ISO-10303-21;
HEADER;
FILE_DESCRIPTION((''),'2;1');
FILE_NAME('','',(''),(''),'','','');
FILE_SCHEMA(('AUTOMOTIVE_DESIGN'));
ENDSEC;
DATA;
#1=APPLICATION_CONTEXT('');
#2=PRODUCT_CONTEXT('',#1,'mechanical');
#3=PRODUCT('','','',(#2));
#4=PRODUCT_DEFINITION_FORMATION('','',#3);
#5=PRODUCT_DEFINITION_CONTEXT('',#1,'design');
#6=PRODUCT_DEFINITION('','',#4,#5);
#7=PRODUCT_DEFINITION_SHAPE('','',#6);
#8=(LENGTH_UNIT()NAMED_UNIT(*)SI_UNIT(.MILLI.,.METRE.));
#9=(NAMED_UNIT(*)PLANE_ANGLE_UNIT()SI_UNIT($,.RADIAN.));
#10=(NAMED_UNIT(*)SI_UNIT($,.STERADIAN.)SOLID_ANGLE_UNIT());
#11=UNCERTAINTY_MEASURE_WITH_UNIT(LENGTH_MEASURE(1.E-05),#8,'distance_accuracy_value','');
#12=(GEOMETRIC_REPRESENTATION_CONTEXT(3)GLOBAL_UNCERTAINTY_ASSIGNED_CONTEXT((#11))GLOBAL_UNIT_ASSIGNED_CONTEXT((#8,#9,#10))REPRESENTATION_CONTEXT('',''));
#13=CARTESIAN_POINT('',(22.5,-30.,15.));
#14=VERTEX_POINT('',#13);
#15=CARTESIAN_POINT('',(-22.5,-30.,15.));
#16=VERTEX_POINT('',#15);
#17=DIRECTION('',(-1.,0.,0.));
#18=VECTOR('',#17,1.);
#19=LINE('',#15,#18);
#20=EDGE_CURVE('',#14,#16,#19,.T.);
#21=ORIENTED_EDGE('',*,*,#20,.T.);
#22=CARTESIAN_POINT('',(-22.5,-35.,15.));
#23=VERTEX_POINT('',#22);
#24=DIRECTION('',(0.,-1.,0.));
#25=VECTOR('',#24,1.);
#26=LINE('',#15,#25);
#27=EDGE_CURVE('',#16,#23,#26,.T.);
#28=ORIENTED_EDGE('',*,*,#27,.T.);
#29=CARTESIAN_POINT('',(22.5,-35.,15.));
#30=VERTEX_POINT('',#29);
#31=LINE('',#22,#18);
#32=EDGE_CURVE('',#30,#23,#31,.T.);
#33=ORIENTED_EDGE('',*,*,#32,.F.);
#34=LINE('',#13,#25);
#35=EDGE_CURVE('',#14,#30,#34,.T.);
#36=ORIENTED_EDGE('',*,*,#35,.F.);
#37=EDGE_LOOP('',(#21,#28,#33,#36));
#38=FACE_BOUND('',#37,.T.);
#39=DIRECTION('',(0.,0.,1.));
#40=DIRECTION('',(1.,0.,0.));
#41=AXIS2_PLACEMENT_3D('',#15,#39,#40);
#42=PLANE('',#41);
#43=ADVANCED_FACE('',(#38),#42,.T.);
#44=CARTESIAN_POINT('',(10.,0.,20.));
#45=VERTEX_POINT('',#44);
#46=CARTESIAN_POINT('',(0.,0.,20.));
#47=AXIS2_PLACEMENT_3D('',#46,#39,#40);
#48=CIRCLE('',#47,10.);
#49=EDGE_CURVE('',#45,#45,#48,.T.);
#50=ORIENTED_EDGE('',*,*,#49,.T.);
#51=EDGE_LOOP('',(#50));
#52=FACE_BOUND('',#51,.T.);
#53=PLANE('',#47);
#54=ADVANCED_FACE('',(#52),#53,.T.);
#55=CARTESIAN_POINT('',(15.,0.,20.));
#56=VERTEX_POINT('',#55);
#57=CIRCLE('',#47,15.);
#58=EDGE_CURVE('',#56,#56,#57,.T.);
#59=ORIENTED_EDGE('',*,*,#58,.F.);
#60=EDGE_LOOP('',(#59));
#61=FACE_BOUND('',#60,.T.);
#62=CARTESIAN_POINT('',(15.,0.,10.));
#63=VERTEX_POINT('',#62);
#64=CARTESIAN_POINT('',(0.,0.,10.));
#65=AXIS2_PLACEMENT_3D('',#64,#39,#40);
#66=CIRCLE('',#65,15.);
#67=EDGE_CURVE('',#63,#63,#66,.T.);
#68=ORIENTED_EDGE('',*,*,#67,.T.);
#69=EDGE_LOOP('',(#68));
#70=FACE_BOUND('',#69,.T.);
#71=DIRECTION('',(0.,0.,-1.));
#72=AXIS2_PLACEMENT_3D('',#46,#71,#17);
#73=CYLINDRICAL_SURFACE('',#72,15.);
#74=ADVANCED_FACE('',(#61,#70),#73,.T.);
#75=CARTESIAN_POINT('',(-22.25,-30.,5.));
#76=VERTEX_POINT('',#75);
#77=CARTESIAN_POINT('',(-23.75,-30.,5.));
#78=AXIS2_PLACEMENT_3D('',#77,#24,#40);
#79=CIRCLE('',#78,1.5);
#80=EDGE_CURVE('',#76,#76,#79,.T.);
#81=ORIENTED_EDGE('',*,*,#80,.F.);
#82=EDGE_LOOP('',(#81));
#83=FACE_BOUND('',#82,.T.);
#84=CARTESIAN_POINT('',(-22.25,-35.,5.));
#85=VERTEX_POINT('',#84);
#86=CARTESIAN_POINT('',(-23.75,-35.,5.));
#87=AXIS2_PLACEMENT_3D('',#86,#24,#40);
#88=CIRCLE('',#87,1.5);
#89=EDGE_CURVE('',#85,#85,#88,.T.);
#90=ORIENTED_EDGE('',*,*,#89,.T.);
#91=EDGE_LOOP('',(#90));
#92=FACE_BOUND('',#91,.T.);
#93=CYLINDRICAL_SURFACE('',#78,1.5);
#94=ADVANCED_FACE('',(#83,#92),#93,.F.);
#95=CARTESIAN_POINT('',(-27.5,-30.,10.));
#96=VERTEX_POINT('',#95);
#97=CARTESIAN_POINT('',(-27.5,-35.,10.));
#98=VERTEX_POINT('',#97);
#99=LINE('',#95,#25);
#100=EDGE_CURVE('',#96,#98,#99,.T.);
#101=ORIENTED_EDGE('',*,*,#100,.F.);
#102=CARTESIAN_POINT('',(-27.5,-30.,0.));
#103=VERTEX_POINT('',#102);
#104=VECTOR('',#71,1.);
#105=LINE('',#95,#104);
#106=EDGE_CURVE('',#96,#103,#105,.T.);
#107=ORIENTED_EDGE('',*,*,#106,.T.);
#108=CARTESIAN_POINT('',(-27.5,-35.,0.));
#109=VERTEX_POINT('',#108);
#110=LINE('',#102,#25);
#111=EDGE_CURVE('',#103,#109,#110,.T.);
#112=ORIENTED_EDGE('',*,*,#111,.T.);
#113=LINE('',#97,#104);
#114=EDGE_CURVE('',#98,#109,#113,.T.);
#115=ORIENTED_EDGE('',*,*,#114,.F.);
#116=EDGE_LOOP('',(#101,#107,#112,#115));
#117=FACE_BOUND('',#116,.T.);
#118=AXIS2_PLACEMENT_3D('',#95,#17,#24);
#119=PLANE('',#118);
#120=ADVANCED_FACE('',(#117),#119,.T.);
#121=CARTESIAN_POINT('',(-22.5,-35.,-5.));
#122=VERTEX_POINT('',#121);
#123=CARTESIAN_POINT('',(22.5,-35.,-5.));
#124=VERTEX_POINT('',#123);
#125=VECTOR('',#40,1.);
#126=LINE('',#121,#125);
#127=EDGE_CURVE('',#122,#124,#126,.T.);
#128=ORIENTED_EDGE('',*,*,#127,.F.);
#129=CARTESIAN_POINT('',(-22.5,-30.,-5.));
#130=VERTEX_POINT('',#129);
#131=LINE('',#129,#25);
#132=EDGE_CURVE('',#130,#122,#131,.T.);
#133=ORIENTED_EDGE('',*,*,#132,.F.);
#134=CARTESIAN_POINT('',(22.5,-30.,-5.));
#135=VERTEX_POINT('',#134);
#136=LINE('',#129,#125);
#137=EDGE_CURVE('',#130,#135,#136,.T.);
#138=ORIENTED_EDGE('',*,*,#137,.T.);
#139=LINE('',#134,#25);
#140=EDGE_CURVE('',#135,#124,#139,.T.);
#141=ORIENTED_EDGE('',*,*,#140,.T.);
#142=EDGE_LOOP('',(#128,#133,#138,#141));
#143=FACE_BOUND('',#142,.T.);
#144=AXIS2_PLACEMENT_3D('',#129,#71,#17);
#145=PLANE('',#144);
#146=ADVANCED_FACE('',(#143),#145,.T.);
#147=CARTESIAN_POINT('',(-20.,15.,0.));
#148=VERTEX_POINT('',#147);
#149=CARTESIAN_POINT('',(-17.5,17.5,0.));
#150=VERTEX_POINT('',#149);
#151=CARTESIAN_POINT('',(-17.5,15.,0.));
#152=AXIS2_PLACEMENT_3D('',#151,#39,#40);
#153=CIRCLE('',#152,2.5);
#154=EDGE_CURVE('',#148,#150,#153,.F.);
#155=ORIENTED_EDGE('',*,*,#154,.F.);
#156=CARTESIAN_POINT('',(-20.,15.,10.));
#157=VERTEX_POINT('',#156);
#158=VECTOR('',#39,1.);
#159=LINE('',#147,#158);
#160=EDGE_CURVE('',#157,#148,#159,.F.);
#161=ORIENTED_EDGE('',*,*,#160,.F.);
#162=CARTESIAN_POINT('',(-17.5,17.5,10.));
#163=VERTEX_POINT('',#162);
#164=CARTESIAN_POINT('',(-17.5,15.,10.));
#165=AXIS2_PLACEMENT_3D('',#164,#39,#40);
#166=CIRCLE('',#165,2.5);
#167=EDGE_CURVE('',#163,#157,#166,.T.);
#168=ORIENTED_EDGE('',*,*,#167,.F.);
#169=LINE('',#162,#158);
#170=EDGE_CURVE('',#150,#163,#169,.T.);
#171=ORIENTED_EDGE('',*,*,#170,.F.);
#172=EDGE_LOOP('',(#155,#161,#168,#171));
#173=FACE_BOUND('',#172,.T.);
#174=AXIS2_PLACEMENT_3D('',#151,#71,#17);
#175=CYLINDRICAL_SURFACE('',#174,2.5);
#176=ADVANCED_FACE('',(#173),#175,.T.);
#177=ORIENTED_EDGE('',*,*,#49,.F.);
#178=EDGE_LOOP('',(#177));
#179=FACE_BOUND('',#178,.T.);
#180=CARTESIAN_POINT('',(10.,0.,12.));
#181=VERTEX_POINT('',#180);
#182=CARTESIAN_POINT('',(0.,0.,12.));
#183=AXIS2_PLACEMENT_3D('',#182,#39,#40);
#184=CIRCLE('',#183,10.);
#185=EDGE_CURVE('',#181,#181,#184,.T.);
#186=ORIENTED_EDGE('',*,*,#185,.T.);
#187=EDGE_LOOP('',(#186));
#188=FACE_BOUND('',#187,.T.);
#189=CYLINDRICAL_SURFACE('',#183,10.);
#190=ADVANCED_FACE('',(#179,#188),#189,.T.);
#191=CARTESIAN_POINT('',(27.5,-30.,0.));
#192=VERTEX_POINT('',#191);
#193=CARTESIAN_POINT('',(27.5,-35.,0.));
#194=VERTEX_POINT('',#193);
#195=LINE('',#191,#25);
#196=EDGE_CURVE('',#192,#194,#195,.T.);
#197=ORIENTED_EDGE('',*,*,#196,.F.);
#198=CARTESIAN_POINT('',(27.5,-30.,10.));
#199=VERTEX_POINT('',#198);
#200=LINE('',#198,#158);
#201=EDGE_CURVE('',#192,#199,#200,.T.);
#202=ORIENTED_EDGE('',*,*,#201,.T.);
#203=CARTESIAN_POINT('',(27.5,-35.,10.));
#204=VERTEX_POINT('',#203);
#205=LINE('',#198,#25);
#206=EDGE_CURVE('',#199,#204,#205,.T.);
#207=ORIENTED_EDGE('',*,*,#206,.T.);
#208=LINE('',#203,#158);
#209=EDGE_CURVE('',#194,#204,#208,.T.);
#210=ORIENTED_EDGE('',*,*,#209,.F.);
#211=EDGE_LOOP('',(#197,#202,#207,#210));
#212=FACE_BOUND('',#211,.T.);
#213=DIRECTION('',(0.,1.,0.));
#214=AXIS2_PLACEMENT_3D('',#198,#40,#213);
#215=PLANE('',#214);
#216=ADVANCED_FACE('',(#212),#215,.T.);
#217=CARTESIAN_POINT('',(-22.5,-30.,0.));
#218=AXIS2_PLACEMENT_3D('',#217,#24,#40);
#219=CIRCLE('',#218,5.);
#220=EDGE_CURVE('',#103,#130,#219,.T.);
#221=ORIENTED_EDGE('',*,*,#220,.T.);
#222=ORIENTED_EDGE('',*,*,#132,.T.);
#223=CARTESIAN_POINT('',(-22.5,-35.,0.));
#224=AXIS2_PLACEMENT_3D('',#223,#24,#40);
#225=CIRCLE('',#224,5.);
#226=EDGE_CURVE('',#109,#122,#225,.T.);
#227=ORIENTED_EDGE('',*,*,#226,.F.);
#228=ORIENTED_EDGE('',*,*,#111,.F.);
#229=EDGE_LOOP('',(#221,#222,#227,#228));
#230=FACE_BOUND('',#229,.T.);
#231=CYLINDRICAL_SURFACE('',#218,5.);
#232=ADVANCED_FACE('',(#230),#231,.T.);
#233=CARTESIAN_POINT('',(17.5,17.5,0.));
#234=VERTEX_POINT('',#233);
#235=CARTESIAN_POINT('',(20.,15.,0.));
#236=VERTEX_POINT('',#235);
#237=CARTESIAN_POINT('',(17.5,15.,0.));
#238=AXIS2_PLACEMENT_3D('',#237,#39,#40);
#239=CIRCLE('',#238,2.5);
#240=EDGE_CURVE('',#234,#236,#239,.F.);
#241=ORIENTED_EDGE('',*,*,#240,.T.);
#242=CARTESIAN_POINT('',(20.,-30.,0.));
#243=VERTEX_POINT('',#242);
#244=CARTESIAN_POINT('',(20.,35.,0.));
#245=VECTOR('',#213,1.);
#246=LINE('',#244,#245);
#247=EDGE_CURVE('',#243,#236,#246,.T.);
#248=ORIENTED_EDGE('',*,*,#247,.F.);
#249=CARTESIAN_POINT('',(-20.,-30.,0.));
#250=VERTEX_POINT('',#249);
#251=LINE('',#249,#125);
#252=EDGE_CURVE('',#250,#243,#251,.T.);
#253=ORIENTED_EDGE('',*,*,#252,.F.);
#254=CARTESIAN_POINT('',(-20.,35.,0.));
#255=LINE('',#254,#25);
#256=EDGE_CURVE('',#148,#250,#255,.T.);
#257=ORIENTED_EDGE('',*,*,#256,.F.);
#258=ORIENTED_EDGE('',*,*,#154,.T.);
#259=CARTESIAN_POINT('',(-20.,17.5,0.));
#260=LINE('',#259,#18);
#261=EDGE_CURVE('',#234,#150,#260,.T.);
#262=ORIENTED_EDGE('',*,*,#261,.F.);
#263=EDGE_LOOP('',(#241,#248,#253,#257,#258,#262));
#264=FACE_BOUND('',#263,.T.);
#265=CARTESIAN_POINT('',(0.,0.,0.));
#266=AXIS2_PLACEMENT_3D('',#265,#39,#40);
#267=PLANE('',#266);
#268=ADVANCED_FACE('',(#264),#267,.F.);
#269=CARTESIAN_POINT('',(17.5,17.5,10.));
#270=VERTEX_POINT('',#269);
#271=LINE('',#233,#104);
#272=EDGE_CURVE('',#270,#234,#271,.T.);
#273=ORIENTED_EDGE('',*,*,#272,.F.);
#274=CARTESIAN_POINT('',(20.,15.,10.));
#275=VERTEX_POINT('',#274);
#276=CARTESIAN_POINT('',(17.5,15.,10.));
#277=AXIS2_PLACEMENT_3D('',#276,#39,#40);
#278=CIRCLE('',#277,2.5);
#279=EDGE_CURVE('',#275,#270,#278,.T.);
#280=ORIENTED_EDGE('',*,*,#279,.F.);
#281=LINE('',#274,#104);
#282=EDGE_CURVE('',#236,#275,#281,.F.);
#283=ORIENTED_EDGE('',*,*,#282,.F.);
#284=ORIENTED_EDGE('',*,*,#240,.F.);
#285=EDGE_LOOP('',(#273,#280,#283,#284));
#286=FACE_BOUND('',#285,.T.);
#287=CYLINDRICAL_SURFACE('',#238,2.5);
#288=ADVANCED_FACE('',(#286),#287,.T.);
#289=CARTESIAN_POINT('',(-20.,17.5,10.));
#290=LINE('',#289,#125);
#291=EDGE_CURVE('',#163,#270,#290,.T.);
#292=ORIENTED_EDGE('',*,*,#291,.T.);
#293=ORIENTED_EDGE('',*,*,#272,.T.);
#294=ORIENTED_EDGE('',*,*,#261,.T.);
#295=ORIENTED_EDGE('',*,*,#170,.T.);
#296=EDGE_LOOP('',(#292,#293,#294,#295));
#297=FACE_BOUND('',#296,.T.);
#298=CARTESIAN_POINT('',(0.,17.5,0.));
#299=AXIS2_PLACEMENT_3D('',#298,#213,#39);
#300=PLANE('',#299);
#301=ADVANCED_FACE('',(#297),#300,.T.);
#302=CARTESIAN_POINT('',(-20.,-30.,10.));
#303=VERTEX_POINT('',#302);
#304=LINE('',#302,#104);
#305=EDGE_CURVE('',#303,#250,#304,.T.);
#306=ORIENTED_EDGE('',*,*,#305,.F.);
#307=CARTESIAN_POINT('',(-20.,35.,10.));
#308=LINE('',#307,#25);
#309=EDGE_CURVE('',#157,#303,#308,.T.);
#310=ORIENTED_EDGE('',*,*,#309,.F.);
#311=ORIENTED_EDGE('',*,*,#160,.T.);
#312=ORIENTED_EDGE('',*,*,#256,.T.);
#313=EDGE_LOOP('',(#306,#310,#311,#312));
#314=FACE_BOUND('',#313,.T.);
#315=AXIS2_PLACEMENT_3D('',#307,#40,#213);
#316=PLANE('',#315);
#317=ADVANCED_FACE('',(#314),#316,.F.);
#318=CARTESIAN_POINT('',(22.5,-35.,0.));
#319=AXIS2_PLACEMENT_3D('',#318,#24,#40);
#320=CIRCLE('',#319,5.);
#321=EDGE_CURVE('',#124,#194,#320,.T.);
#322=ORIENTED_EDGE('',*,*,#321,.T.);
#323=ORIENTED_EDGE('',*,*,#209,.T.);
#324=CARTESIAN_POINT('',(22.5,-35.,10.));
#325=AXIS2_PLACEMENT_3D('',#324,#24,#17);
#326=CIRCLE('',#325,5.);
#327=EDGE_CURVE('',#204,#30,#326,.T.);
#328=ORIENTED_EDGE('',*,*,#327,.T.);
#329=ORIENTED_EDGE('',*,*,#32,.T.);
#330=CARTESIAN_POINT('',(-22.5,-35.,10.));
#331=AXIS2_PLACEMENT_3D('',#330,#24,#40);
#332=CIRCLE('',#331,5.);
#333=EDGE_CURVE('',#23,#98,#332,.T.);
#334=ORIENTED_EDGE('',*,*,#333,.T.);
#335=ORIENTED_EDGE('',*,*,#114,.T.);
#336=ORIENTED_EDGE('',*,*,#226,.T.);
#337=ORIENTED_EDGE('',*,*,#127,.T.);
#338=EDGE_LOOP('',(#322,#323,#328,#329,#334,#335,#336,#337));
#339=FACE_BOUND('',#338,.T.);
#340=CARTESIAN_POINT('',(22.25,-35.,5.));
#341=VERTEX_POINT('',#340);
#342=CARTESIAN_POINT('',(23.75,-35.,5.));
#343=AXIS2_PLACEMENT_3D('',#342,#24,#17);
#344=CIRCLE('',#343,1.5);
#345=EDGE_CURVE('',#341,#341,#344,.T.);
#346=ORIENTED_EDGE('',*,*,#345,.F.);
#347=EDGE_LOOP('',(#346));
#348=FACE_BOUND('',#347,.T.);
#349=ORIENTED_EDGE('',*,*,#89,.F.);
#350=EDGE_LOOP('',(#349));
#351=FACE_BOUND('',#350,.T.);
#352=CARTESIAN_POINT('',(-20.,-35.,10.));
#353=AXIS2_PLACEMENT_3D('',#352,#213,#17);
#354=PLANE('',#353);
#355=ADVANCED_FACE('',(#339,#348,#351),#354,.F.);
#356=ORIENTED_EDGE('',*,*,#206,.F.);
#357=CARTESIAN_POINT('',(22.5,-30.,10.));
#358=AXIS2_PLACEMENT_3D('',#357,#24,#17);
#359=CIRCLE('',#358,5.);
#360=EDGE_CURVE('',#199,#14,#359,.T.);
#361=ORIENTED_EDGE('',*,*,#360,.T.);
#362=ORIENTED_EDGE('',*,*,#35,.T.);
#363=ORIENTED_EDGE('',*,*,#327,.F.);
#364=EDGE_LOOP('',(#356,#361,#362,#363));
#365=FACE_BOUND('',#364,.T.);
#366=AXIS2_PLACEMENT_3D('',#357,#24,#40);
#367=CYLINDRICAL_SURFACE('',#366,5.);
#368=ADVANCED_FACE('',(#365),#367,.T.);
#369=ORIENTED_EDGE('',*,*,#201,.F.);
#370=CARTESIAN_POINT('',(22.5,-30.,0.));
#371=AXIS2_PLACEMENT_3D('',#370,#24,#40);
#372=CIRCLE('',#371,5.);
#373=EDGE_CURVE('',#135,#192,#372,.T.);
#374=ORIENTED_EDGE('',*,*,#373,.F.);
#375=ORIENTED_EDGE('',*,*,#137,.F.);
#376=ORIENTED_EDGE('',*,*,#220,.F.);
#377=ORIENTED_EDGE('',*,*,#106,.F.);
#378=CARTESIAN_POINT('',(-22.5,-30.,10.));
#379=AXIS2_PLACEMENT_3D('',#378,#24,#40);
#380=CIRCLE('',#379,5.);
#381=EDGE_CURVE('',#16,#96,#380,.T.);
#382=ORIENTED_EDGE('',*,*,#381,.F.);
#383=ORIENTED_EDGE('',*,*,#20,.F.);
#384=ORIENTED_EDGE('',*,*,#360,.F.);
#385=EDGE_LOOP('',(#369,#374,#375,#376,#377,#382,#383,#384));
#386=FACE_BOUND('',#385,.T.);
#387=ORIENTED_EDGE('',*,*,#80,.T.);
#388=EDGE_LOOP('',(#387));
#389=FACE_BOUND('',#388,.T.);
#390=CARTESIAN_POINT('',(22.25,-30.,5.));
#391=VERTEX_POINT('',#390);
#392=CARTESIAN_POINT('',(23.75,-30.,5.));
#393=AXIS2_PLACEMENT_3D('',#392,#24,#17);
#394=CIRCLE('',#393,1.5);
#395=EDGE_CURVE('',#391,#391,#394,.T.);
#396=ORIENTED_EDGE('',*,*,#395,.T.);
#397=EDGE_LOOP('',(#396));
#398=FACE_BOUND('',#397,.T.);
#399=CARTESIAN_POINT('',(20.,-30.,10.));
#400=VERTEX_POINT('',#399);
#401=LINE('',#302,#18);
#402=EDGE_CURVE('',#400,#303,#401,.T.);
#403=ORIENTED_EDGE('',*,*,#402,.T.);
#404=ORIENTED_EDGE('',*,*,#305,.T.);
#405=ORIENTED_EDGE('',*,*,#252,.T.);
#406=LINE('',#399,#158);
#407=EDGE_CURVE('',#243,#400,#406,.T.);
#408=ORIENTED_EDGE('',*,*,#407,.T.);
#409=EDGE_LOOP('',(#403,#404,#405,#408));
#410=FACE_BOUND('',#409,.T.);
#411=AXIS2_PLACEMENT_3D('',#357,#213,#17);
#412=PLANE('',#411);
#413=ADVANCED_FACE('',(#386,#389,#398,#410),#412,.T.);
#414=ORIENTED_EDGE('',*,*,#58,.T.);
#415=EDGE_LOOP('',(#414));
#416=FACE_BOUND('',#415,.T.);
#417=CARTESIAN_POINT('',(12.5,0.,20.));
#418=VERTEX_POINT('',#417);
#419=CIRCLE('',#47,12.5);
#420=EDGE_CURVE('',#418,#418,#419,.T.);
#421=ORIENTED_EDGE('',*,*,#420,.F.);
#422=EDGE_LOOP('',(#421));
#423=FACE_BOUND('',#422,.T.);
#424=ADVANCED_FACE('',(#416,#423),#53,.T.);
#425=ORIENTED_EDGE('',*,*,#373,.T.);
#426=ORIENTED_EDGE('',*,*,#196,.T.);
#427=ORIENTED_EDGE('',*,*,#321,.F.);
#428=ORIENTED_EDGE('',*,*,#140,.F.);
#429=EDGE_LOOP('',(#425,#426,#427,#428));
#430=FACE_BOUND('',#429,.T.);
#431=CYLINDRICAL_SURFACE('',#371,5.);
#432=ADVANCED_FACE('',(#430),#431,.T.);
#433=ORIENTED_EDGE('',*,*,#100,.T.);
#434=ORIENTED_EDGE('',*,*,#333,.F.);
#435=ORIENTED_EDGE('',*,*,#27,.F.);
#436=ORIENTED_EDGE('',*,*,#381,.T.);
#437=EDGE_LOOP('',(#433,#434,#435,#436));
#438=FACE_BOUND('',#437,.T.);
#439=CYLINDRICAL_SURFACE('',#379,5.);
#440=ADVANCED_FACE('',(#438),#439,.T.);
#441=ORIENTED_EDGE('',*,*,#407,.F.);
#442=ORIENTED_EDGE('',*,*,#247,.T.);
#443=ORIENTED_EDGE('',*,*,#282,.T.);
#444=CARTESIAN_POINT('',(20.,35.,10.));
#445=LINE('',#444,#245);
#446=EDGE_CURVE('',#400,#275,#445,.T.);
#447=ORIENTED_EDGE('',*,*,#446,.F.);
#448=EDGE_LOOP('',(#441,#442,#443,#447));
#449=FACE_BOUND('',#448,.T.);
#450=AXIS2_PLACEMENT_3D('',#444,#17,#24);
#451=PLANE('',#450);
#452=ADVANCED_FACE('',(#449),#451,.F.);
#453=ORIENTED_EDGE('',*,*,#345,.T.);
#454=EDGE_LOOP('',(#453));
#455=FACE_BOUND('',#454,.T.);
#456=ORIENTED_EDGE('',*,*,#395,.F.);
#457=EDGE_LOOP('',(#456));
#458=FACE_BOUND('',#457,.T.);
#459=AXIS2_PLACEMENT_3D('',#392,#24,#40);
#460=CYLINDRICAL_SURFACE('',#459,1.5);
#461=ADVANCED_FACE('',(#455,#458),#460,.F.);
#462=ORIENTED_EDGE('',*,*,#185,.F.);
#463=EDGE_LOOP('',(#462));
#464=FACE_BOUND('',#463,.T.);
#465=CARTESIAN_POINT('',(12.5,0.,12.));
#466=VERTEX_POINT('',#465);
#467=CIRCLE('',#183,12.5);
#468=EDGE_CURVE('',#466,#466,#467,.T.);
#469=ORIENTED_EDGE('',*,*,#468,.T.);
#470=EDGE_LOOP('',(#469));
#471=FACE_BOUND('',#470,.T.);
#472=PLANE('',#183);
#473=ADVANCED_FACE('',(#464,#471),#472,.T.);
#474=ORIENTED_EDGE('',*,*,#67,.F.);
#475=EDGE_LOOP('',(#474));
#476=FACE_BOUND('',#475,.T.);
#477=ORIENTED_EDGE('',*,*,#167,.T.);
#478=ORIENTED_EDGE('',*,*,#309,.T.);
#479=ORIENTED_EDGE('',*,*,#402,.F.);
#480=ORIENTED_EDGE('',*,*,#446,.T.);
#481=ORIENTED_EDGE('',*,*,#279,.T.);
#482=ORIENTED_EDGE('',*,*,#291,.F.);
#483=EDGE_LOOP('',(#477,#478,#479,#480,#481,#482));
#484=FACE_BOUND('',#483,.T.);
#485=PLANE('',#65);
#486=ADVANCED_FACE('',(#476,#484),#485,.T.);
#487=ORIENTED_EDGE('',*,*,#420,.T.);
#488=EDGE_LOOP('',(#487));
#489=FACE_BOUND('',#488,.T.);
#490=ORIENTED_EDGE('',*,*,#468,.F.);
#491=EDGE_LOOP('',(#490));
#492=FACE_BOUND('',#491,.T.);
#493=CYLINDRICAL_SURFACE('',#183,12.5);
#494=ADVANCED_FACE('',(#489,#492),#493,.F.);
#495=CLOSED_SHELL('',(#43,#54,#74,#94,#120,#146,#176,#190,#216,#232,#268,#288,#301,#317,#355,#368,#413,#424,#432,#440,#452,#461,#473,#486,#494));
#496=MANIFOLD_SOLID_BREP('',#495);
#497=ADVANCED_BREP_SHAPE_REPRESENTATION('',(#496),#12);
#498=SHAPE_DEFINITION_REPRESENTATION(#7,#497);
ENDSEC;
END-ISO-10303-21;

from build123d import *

# Parameters (mm, degrees)
SKETCH1_W           = 40
SKETCH1_H           = 70
BOSS_EXTRUDE1_DEPTH = 10
SKETCH4_R           = 15
BOSS_EXTRUDE3_DEPTH = 10
SKETCH5_R           = 12.5
SKETCH5_R_2         = 10
CUT_EXTRUDE2_DEPTH  = 8
SKETCH6_W           = 40
SKETCH6_H           = 10
CUT_EXTRUDE3_DEPTH  = 17.5
FILLET4_R           = 2.5
SKETCH11_R          = 1.5
SKETCH11_W          = 40
SKETCH11_H          = 10
BOSS_EXTRUDE4_DEPTH = 5


with BuildPart() as part:
    # Sketch1 → Boss-Extrude1 (new body)
    with BuildSketch(Plane.XY):
        Rectangle(SKETCH1_W, SKETCH1_H)
    extrude(amount=BOSS_EXTRUDE1_DEPTH)

    # Sketch4 → Boss-Extrude3 (add)
    with BuildSketch(Plane.XY.offset(10)):
        Circle(SKETCH4_R)
    extrude(amount=BOSS_EXTRUDE3_DEPTH)

    # Sketch5 → Cut-Extrude2 (cut)
    with BuildSketch(Plane.XY.offset(20)):
        Circle(SKETCH5_R)
        Circle(SKETCH5_R_2, mode=Mode.SUBTRACT)
    extrude(amount=-CUT_EXTRUDE2_DEPTH, mode=Mode.SUBTRACT)

    # Sketch6 → Cut-Extrude3 (cut)
    with BuildSketch(Plane(origin=(0, 35, 0), x_dir=(1, 0, 0), z_dir=(0, 1, 0))):
        with Locations((0, -5)):
            Rectangle(SKETCH6_W, SKETCH6_H)
    extrude(amount=-CUT_EXTRUDE3_DEPTH, mode=Mode.SUBTRACT)

    # Fillet4
    fillet4_edges = [part.edges().sort_by_distance(p)[0] for p in [
        (-20, 17.5, 5),
        (20, 17.5, 5),
    ]]
    fillet(fillet4_edges, radius=FILLET4_R)

    # Sketch11 → Boss-Extrude4 (add)
    with BuildSketch(Plane.XZ.offset(35)):
        with BuildLine():
            Line((-22.5, 15), (22.5, 15))
            ThreePointArc((22.5, 15), (26.035533906, 13.535533906), (27.5, 10))
            Line((27.5, 10), (27.5, 0))
            ThreePointArc((27.5, 0), (26.035533906, -3.535533906), (22.5, -5))
            Line((22.5, -5), (-22.5, -5))
            ThreePointArc((-22.5, -5), (-26.035533906, -3.535533906), (-27.5, 0))
            Line((-27.5, 0), (-27.5, 10))
            ThreePointArc((-27.5, 10), (-26.035533906, 13.535533906), (-22.5, 15))
        make_face()
        with Locations((-23.75, 5)):
            Circle(SKETCH11_R, mode=Mode.SUBTRACT)
        with Locations(Location((23.75, 5, 0), (0, 0, 180))):
            Circle(SKETCH11_R, mode=Mode.SUBTRACT)
        with Locations((0, 5)):
            Rectangle(SKETCH11_W, SKETCH11_H, mode=Mode.SUBTRACT)
    extrude(amount=-BOSS_EXTRUDE4_DEPTH)


solid = part.part
